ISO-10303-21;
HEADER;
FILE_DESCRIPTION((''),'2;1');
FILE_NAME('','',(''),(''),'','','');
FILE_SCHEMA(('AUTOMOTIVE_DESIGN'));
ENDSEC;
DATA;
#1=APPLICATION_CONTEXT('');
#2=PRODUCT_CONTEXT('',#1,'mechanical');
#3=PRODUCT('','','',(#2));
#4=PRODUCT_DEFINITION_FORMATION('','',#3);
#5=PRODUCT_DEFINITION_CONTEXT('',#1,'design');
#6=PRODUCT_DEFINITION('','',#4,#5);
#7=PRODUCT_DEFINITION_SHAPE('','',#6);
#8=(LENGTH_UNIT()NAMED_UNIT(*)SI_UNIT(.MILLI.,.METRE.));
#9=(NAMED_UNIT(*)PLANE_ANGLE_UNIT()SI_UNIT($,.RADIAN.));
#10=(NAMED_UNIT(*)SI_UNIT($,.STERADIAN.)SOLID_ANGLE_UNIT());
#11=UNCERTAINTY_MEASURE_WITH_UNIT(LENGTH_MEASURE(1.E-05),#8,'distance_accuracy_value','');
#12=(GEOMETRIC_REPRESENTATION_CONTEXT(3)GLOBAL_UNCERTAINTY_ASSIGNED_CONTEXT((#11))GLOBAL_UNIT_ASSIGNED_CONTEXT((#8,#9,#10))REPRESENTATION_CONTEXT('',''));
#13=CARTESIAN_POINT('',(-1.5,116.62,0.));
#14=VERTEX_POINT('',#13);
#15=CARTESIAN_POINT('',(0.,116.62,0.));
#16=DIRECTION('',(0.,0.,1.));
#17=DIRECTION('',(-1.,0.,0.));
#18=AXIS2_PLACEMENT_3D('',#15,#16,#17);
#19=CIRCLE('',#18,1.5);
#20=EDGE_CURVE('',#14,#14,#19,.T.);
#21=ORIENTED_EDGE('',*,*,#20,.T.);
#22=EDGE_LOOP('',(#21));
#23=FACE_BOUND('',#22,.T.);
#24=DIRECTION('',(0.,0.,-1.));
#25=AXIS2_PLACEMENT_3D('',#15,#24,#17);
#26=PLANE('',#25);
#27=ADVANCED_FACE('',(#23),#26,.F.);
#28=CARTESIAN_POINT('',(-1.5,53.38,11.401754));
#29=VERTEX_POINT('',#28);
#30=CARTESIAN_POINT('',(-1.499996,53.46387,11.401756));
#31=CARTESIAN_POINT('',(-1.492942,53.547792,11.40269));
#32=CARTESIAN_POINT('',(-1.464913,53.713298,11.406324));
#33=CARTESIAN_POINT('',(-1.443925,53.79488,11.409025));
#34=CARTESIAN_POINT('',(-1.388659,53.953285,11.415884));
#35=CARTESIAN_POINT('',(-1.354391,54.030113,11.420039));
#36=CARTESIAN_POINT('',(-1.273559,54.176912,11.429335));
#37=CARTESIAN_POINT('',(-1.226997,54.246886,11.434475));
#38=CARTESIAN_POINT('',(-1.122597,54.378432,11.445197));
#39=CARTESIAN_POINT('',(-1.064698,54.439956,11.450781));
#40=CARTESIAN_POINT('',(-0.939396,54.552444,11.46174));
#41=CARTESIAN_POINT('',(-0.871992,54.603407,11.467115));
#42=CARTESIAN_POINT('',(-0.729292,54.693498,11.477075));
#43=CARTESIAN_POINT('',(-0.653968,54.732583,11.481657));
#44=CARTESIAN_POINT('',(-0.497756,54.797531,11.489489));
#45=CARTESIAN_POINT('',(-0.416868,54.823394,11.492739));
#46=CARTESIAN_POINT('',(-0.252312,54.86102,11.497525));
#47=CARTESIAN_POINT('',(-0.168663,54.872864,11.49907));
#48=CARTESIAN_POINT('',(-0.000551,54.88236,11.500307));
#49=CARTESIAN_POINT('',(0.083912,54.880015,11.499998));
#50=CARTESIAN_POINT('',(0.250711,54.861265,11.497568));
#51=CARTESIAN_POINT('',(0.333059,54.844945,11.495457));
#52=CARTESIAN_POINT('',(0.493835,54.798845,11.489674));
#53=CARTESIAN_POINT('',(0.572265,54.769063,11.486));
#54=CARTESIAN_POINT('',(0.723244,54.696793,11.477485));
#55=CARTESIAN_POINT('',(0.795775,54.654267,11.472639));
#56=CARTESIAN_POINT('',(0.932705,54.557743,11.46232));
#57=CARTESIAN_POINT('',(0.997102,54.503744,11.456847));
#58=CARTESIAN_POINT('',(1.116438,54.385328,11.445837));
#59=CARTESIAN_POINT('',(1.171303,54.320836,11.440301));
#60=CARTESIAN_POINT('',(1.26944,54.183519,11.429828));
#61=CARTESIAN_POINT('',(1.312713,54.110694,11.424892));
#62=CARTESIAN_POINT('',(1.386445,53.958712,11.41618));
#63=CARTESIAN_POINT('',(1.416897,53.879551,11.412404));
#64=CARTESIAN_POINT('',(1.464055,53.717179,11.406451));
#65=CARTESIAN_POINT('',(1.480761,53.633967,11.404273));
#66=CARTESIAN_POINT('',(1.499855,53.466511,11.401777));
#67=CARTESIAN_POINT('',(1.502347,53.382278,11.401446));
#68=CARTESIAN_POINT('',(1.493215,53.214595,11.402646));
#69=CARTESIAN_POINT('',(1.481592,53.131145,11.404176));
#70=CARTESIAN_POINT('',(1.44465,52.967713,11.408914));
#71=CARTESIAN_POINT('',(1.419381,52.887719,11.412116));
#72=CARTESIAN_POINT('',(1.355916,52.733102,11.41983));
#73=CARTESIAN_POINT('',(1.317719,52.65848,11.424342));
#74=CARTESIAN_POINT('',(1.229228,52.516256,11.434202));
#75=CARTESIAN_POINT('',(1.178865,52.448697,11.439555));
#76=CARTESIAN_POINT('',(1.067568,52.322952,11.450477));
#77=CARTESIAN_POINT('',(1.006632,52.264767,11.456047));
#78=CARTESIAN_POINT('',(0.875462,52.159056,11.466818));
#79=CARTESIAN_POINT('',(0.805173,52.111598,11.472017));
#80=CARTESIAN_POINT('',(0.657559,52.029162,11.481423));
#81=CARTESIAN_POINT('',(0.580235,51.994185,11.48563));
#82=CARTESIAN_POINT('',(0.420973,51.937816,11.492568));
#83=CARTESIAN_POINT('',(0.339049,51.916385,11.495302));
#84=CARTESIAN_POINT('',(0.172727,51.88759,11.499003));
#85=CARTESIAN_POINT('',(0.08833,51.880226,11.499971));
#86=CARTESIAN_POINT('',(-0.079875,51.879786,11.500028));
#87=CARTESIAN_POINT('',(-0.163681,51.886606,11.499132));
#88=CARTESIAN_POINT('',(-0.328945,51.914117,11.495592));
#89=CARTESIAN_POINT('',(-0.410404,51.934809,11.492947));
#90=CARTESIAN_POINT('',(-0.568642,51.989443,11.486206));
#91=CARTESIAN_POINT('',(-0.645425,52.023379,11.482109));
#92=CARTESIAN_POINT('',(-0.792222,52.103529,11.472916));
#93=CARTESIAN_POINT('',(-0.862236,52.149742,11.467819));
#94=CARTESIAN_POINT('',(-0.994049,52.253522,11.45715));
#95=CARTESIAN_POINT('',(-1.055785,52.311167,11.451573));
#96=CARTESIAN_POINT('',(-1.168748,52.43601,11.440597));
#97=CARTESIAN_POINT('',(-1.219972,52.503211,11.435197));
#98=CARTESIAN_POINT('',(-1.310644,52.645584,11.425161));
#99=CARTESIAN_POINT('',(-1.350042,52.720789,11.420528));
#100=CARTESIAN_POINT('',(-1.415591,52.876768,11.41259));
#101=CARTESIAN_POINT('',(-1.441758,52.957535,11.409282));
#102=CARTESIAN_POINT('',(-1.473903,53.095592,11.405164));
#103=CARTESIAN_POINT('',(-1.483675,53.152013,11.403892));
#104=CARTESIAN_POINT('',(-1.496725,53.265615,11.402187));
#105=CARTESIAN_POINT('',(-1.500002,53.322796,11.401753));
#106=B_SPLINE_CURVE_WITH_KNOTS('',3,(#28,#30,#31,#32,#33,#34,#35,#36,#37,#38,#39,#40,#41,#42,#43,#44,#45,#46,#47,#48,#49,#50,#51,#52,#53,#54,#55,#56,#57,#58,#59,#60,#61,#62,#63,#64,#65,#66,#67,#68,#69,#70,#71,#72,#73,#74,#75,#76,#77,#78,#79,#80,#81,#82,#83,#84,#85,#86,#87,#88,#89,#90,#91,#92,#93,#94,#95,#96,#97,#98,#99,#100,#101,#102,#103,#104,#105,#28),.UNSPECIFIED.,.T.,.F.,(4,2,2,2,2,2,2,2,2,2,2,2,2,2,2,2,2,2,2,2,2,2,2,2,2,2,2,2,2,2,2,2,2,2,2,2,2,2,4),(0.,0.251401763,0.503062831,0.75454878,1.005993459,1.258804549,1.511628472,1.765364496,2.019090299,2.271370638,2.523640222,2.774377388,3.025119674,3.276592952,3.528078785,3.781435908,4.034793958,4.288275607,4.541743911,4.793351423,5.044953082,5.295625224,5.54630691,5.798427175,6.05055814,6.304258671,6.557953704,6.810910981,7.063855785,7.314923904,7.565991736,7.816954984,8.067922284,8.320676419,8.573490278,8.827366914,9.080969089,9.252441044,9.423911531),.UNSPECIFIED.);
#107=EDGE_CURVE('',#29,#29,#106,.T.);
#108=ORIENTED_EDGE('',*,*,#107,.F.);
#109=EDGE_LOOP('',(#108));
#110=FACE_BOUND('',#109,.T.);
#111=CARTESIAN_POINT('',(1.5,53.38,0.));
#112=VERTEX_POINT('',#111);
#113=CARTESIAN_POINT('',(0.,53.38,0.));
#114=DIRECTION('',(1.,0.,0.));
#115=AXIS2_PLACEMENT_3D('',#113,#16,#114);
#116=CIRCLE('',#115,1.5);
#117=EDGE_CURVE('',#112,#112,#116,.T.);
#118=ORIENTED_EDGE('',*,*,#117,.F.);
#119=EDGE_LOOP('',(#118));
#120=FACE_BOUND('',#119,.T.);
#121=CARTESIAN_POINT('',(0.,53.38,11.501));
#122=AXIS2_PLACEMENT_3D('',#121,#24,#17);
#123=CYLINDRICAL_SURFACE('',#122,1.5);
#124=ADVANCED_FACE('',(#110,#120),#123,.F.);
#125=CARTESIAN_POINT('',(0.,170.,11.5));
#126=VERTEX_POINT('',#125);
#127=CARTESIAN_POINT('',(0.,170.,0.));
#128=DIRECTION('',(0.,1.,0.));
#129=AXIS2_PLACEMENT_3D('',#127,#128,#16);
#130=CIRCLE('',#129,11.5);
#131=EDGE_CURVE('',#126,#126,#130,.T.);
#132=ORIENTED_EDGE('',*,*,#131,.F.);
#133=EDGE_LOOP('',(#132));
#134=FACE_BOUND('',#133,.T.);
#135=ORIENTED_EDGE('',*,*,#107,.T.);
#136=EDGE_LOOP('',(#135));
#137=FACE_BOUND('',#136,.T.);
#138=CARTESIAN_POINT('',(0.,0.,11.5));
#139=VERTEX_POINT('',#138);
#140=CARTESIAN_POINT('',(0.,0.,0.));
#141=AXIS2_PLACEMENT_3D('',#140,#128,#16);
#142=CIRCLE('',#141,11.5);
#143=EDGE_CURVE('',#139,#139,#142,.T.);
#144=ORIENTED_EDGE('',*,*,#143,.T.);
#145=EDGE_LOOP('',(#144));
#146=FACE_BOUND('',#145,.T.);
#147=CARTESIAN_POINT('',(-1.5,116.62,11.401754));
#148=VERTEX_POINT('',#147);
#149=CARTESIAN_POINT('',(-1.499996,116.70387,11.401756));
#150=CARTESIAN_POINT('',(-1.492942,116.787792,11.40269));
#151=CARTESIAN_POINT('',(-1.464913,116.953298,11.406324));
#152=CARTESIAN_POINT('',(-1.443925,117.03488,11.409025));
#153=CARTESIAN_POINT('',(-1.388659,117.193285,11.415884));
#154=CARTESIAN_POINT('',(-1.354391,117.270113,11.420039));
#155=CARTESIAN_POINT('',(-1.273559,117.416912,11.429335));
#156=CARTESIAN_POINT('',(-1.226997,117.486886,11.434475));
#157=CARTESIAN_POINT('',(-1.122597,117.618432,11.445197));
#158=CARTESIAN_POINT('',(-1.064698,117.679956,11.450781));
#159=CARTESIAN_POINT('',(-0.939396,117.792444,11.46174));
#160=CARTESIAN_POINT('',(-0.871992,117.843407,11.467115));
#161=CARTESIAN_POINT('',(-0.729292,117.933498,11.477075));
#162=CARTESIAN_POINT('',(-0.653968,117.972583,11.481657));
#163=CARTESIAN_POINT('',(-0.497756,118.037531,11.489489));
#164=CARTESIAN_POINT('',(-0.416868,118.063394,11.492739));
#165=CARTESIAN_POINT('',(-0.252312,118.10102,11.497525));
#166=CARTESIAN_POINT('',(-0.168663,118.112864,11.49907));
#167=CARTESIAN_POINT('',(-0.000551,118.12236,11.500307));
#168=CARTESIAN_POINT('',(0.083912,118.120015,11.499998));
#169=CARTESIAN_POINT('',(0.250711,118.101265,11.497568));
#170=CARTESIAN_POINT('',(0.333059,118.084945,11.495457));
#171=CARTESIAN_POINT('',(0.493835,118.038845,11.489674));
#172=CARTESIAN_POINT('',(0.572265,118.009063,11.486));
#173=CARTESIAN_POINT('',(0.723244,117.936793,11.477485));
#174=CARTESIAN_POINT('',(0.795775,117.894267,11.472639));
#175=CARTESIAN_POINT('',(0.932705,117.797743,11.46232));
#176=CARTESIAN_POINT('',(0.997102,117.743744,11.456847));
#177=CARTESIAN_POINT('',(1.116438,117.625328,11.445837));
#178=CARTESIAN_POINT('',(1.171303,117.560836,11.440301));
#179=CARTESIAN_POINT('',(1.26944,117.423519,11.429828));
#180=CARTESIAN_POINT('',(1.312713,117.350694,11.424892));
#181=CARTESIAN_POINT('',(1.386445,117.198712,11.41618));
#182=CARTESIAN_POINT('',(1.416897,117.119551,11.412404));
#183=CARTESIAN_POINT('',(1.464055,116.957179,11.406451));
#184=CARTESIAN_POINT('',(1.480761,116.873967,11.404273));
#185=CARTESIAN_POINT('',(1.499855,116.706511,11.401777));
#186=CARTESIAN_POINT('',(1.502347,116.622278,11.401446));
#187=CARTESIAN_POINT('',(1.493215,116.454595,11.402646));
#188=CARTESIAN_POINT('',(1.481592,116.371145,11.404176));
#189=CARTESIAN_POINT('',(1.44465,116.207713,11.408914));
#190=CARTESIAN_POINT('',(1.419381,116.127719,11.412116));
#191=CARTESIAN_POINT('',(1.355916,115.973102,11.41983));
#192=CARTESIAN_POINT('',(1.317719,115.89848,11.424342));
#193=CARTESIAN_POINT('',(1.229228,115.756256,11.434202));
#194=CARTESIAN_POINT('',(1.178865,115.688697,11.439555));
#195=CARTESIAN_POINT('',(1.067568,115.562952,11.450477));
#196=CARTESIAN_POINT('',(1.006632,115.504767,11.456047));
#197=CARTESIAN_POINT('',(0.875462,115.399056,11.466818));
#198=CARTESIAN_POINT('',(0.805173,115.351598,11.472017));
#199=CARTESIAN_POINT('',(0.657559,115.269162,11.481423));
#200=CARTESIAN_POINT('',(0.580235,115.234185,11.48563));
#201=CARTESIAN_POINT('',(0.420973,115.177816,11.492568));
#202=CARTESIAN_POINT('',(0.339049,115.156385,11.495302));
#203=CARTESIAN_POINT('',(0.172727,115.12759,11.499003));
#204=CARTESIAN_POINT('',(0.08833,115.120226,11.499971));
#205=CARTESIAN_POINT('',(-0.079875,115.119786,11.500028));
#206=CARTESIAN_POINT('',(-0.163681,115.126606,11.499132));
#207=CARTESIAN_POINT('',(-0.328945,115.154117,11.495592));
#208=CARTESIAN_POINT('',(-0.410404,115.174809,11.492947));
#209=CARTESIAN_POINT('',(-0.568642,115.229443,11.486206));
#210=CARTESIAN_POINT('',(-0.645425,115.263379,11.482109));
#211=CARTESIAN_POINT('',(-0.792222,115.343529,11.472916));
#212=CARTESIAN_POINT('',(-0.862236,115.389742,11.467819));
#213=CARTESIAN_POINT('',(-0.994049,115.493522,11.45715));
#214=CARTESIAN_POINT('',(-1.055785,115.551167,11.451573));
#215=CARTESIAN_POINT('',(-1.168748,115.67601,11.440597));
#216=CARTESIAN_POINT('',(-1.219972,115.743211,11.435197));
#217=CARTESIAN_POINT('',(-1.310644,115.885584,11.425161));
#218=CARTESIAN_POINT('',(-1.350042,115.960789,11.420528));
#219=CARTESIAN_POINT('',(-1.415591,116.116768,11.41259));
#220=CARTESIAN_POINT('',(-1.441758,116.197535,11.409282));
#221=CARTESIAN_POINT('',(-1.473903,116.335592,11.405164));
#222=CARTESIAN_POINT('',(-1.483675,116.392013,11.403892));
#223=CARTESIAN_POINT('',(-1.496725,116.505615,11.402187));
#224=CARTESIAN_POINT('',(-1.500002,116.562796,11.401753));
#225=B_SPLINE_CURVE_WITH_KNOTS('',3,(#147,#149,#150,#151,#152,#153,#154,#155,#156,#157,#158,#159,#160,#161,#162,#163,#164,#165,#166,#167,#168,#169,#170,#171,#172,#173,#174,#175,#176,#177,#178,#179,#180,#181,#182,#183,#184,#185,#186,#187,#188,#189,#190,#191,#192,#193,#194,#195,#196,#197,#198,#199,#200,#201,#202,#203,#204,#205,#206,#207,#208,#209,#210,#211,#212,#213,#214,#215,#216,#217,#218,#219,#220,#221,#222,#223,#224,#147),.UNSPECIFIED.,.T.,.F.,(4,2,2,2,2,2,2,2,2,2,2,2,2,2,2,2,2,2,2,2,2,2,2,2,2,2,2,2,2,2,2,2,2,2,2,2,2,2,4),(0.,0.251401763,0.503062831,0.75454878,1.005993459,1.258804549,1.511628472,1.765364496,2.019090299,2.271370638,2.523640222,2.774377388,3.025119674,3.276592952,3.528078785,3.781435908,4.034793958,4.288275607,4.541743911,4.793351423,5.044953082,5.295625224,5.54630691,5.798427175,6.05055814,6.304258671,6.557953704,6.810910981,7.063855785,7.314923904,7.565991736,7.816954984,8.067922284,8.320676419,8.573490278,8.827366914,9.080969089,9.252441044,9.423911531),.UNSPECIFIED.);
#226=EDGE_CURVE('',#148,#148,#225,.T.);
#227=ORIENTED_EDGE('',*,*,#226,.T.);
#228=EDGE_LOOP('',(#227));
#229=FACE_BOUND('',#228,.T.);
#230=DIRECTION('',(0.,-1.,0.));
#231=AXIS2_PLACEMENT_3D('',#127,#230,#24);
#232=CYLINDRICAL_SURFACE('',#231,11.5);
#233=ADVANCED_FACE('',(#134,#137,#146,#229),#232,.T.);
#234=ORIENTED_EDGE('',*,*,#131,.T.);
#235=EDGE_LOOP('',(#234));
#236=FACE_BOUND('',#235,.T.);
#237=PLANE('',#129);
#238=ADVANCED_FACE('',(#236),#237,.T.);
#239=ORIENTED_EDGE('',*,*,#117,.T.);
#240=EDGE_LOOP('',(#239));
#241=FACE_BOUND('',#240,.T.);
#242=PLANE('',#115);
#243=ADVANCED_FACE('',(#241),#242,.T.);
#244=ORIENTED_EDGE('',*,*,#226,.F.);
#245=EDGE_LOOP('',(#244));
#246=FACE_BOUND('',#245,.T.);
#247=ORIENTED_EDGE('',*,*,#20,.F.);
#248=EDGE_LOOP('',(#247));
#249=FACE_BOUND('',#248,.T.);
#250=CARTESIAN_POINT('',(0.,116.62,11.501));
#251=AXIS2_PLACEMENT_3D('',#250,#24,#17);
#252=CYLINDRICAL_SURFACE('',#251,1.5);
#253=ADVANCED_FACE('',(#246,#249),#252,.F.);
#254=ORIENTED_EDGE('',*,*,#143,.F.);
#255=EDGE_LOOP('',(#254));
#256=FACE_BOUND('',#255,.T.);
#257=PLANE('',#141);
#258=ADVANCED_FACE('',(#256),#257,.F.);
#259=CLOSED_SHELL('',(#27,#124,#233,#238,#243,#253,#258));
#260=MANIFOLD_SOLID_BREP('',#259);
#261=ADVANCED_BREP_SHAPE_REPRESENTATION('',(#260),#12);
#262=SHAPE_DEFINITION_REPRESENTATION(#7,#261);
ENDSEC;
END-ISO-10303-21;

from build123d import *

# Parameters (mm, degrees)
SKETCH2_R           = 11.5
BOSS_EXTRUDE1_DEPTH = 170
CUT_EXTRUDE1_REACH  = 13.5
SKETCH3_R           = 1.5


with BuildPart() as part:
    # Sketch2 → Boss-Extrude1 (new body)
    with BuildSketch(Plane(origin=(0, 0, 0), x_dir=(1, 0, 0), z_dir=(0, 1, 0))):
        Circle(SKETCH2_R)
    extrude(amount=BOSS_EXTRUDE1_DEPTH)

    # Sketch3 → Cut-Extrude1 (cut, up to next)
    with BuildSketch(Plane.XY, mode=Mode.PRIVATE) as cut_extrude1_sk1:
        with Locations((0, 53.38)):
            Circle(SKETCH3_R)
    cut_extrude1_tool1 = extrude(cut_extrude1_sk1.sketch, amount=CUT_EXTRUDE1_REACH, mode=Mode.PRIVATE) & part.part
    add(cut_extrude1_tool1.solids().sort_by_distance((0, 53.38, 0))[0], mode=Mode.SUBTRACT)
    # Sketch3 → Cut-Extrude1 (cut, up to next)
    with BuildSketch(Plane.XY, mode=Mode.PRIVATE) as cut_extrude1_sk2:
        with Locations((0, 116.62)):
            Circle(SKETCH3_R)
    cut_extrude1_tool2 = extrude(cut_extrude1_sk2.sketch, amount=CUT_EXTRUDE1_REACH, mode=Mode.PRIVATE) & part.part
    add(cut_extrude1_tool2.solids().sort_by_distance((0, 116.62, 0))[0], mode=Mode.SUBTRACT)


solid = part.part
